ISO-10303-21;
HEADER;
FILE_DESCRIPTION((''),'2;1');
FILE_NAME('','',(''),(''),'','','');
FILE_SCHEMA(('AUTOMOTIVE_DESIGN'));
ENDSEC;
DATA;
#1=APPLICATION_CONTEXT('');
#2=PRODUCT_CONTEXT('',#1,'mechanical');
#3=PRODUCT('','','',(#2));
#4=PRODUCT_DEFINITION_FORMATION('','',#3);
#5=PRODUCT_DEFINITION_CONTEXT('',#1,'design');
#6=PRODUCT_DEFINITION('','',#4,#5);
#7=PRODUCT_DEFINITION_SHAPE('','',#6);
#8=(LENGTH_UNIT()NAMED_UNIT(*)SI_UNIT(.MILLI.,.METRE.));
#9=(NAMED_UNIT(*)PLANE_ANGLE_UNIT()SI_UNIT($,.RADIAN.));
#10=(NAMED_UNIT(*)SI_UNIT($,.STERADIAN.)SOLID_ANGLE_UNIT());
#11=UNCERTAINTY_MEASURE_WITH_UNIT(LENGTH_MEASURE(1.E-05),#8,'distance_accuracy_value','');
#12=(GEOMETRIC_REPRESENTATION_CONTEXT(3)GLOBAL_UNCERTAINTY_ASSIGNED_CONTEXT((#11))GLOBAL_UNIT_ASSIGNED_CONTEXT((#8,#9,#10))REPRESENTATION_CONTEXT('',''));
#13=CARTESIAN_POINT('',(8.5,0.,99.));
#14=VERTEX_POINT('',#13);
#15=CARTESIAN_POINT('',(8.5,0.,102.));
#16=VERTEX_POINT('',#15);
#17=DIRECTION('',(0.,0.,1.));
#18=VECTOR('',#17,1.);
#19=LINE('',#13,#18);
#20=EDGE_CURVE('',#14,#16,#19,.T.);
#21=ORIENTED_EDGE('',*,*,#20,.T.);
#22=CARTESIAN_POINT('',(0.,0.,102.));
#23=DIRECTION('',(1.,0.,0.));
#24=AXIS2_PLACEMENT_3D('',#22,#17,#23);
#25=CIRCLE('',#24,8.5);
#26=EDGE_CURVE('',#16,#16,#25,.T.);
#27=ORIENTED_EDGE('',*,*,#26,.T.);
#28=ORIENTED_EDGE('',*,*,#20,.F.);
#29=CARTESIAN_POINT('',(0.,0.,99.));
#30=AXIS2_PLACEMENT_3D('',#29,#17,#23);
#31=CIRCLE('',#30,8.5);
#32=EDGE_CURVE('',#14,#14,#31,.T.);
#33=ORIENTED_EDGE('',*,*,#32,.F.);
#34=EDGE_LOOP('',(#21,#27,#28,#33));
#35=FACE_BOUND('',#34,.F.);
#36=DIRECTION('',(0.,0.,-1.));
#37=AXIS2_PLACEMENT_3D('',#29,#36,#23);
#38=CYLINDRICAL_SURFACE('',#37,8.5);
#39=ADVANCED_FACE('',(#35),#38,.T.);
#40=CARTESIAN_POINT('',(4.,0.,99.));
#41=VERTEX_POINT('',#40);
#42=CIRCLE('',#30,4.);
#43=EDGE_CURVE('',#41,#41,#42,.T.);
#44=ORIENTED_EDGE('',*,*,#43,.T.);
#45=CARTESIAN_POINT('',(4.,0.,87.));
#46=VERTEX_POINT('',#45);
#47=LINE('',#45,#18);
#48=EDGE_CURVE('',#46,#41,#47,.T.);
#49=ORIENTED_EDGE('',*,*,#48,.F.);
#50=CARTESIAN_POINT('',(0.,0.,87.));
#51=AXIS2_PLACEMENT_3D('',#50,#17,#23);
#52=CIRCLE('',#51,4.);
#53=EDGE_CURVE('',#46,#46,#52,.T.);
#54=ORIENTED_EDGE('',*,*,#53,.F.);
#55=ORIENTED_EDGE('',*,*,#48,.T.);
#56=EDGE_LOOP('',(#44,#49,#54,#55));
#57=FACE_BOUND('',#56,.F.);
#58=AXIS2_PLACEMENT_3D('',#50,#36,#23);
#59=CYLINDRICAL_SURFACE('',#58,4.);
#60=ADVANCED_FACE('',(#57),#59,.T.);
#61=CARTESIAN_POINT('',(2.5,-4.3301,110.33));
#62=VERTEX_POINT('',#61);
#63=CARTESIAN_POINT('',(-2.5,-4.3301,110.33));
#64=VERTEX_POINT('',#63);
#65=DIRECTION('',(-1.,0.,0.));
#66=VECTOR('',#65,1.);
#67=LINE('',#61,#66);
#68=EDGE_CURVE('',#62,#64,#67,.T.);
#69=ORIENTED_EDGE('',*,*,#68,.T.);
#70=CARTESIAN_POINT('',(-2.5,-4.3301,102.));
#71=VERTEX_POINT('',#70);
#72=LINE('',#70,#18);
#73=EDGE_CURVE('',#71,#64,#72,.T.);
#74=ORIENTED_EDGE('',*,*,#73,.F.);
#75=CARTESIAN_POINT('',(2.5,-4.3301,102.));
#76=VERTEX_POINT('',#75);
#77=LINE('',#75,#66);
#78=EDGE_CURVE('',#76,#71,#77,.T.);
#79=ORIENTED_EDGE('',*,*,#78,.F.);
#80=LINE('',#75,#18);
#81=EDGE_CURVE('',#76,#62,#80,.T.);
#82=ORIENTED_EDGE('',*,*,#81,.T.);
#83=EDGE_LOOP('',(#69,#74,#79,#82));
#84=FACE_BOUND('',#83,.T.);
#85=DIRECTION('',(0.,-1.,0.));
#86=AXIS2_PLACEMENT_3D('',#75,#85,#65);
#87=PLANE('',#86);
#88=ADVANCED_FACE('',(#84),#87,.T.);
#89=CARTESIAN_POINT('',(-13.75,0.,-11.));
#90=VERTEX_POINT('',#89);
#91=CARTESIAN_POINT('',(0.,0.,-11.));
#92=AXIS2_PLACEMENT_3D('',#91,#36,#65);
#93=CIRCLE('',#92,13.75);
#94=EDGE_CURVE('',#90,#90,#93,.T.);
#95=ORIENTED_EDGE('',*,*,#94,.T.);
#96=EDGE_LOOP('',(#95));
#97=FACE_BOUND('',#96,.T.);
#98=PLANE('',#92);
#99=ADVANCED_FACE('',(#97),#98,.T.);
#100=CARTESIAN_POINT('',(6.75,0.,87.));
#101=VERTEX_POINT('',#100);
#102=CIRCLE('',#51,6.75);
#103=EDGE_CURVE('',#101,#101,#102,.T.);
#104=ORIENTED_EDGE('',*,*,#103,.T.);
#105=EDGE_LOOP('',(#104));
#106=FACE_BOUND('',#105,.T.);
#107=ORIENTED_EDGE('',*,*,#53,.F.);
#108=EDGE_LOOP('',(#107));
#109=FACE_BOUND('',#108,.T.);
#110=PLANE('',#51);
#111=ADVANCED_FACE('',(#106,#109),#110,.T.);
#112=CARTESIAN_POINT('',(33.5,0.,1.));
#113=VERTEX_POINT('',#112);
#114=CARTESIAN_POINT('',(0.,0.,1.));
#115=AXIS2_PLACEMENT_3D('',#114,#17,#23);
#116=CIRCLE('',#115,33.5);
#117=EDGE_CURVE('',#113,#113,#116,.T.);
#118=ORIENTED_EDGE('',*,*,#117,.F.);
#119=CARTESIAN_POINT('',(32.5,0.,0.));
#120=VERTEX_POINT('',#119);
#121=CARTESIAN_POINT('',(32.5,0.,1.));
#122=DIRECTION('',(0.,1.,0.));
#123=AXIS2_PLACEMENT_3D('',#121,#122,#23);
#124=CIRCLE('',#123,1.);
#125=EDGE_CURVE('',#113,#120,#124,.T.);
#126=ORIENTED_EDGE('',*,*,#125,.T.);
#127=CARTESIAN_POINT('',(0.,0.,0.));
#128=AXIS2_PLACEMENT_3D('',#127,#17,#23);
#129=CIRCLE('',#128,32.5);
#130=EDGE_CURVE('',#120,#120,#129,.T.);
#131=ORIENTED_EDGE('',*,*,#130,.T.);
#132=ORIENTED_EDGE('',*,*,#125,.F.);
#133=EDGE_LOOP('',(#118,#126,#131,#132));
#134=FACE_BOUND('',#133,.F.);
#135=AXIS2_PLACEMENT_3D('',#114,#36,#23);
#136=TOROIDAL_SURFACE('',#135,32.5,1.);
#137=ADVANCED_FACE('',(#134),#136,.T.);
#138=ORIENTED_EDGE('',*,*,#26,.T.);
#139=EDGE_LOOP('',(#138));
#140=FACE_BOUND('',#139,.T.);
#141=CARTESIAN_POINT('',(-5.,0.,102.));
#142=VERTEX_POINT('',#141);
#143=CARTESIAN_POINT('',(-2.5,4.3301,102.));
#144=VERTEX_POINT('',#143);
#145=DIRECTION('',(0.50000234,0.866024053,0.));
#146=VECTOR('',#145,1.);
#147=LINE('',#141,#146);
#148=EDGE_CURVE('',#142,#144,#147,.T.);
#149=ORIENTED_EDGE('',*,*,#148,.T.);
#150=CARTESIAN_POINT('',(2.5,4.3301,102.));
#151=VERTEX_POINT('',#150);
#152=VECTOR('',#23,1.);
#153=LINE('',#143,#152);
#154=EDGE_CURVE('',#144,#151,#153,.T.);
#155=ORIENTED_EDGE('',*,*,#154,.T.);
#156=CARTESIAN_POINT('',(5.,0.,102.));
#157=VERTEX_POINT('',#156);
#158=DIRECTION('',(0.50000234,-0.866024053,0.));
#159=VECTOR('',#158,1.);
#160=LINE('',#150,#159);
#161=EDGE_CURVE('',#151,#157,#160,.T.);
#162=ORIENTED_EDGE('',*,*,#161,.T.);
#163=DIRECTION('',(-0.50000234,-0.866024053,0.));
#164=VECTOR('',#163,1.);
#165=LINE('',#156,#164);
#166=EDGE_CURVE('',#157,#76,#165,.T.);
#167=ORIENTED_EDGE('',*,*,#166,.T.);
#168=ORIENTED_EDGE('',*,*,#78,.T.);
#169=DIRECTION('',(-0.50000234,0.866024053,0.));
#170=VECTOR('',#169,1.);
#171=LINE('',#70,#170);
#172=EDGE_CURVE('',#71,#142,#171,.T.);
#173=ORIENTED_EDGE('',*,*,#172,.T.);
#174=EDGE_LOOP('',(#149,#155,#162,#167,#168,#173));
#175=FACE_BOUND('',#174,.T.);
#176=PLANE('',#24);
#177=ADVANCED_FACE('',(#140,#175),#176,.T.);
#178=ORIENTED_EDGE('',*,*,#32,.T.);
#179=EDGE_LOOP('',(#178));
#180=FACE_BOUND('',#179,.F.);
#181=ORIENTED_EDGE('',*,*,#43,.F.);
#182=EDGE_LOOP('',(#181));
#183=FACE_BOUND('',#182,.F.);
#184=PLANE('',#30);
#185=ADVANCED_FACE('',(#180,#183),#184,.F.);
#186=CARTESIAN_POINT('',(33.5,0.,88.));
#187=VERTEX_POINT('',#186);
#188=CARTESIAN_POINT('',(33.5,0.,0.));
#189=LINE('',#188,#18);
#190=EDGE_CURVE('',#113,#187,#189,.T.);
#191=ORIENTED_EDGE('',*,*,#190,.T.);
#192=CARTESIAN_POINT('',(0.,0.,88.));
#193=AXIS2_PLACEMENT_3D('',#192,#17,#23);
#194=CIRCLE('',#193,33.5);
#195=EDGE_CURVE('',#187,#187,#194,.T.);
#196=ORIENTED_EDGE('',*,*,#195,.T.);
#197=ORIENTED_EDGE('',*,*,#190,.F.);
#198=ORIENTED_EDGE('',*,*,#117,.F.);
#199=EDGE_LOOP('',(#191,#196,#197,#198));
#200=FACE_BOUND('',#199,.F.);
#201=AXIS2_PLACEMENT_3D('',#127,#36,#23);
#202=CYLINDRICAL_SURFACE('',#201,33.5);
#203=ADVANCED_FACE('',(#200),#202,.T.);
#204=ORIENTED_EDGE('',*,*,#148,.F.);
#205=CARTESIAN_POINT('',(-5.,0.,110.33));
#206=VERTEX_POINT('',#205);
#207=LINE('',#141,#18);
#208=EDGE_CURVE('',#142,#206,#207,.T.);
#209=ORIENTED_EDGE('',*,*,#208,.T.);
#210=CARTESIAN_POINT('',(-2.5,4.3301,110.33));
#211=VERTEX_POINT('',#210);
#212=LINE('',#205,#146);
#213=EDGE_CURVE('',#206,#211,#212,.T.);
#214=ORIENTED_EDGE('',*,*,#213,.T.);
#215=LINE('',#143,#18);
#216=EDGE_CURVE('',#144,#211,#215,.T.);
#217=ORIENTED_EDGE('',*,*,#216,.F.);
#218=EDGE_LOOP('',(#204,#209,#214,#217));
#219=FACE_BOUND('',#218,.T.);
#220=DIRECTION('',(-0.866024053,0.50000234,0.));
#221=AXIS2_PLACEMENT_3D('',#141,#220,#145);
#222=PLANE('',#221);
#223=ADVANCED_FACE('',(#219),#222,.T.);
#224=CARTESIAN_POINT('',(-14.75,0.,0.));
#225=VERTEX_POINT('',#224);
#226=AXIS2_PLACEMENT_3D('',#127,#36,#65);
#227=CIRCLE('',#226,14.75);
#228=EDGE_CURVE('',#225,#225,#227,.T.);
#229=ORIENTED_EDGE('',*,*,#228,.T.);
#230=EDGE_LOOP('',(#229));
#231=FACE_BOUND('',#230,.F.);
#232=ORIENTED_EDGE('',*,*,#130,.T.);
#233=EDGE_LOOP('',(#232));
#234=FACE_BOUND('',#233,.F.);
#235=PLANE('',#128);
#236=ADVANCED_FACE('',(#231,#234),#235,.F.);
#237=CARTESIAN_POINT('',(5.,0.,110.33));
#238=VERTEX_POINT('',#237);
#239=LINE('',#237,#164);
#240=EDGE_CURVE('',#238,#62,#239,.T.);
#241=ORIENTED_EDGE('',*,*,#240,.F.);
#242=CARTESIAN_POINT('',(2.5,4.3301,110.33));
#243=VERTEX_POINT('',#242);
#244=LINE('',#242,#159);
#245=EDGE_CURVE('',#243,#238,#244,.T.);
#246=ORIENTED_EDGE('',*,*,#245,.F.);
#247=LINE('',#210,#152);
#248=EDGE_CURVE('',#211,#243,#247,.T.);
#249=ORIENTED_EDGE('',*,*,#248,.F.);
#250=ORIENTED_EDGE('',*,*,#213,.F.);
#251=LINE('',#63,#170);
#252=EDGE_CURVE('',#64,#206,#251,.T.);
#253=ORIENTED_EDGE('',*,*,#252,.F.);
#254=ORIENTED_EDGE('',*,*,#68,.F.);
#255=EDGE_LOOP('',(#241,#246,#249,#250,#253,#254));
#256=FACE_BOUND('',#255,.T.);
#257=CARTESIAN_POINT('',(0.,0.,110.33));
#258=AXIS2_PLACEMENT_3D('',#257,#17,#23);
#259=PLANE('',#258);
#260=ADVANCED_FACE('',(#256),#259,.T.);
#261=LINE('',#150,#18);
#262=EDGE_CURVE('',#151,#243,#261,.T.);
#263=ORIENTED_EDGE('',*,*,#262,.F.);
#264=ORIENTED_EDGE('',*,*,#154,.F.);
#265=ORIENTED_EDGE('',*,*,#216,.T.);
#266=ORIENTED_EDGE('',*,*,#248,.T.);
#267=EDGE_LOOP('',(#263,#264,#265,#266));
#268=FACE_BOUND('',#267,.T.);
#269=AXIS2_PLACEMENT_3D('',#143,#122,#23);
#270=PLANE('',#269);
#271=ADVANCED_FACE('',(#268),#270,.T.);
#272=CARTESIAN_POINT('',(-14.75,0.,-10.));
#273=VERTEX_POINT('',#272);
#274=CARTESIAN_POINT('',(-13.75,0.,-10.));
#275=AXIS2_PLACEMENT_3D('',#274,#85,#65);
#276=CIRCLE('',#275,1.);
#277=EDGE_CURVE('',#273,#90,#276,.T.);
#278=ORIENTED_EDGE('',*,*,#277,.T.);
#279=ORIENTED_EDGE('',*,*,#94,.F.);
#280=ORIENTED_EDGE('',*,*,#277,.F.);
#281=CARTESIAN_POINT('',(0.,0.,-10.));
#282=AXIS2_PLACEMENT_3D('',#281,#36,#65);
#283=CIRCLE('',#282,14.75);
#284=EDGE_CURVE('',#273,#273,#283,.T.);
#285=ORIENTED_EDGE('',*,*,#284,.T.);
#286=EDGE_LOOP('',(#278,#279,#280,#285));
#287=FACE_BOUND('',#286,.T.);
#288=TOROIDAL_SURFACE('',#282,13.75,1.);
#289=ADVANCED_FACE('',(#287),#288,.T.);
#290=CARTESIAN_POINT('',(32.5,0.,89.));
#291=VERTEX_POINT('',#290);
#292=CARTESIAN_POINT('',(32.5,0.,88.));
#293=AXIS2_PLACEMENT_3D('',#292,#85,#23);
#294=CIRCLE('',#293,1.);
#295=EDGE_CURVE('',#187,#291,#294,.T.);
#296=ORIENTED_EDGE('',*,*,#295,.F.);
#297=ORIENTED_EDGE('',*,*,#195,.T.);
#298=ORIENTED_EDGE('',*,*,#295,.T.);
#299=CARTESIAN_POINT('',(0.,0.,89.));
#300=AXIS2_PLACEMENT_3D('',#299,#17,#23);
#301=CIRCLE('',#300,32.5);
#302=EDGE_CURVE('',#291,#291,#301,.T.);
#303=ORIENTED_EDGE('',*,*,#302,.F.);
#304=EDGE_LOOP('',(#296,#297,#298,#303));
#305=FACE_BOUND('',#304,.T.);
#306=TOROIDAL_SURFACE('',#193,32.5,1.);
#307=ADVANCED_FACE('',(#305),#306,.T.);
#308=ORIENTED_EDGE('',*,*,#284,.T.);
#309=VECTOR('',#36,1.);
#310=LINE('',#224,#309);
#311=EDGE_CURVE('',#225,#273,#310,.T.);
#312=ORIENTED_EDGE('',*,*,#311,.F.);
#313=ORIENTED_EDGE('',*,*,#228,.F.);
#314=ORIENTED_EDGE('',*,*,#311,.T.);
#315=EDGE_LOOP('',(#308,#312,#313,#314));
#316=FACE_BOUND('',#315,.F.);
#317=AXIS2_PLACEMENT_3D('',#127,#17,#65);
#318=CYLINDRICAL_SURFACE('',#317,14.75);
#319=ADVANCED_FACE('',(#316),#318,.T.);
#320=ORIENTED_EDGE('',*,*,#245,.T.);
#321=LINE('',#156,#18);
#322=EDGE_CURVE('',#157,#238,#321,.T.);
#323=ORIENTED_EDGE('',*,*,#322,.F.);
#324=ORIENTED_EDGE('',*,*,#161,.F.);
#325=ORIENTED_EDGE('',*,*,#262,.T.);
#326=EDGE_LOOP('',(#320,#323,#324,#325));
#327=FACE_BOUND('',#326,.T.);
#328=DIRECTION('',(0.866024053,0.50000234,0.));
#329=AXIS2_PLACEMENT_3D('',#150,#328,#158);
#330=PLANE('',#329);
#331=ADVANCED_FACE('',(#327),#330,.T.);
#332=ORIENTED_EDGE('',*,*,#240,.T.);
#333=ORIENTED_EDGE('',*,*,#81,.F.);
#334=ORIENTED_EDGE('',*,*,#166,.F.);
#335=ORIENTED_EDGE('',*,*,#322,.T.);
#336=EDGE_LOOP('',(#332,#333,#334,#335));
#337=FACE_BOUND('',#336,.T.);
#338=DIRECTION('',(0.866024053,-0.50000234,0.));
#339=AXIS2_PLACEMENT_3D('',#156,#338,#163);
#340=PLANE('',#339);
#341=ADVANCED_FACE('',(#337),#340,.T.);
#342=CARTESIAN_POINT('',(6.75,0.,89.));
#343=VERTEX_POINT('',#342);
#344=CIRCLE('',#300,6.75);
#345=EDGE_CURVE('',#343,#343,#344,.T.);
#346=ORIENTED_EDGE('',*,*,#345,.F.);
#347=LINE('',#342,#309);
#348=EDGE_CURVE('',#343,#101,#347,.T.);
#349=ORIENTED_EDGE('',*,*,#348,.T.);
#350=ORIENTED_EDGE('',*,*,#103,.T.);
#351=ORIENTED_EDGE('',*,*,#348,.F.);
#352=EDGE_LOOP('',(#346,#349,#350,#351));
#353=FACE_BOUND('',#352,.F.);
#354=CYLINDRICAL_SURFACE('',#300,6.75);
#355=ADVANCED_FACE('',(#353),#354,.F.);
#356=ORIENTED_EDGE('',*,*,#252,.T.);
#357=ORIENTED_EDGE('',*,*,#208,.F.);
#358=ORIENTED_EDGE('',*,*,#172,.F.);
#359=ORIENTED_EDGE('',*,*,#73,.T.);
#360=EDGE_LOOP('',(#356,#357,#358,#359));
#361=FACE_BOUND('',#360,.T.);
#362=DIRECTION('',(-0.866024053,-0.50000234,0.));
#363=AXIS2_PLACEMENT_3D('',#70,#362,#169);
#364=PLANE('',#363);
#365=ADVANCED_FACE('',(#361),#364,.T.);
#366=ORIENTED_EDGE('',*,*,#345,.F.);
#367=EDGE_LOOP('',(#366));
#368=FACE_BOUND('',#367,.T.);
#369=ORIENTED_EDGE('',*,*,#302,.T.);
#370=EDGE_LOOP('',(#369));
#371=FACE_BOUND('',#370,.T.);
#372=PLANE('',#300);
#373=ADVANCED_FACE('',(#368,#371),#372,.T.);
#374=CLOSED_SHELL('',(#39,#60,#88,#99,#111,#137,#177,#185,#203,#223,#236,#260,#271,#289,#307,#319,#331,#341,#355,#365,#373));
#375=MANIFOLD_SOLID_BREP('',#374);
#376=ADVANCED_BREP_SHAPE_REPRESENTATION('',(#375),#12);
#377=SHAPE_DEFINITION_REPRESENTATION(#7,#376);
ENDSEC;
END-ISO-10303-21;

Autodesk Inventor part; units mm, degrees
ref_plane "YZ Plane" through (0, 0, 0) normal (1, 0, 0) x (0, 1, 0)
ref_plane "XZ Plane" through (0, 0, 0) normal (0, 1, 0) x (-1, 0, 0)
sketch "Sketch1" plane through (0, 0, 0) normal (0, 0, 1) x (1, 0, 0)
  circle A0 centre (0, 0) radius 33.5
  dimension "d0" = 67
extrude "Extrusion1" add sketch "Sketch1" along normal blind 89
sketch "Sketch2" plane through (0, 0, 0) normal (0, 0, -1) x (-1, 0, 0)
  circle A0 centre (0, 0) radius 14.75
  dimension "d3" = 29.5
extrude "Extrusion2" add sketch "Sketch2" along normal blind 11
fillet "Fillet1" radius 1 3 edges at (14.75, 0, -11) (-33.5, 0, 0) (-33.5, 0, 89)
sketch "Sketch3" plane through (0, 0, 89) normal (0, 0, 1) x (1, 0, 0)
  circle A0 centre (0, 0) radius 33.5 projected
  circle A1 centre (0, 0) radius 6.75
  dimension "d7" = 13.5
extrude "Extrusion3" cut sketch "Sketch3" against normal blind 2 contours A1
sketch "Sketch4" plane through (0, 0, 87) normal (0, 0, 1) x (1, 0, 0)
  circle A0 centre (0, 0) radius 4
  dimension "d10" = 8
ref_plane "Work Plane1" through (0, 0, 99) normal (0, 0, 1) x (1, 0, 0)
extrude "Extrusion4" add sketch "Sketch4" along normal up to surface (12 mm away)
sketch "Sketch5" plane through (0, 0, 99) normal (0, 0, 1) x (1, 0, 0)
  circle A0 centre (0, 0) radius 32.5 construction
  circle A1 centre (0, 0) radius 8.5
  dimension "d14" = 17
extrude "Extrusion5" add sketch "Sketch5" along normal blind 3
sketch "Sketch6" plane through (0, 0, 102) normal (0, 0, 1) x (1, 0, 0)
  circle A0 centre (0, 0) radius 8.5 projected
  line L0 (-2.5, 4.3301) -> (2.5, 4.3301)
  line L1 (2.5, 4.3301) -> (5, 0)
  line L2 (5, 0) -> (2.5, -4.3301)
  line L3 (2.5, -4.3301) -> (-2.5, -4.3301)
  line L4 (-2.5, -4.3301) -> (-5, 0)
  line L5 (-5, 0) -> (-2.5, 4.3301)
  line L6 (-46.9, 0) -> (46.9, 0) construction
  dimension "d17" = 10
extrude "Extrusion6" add sketch "Sketch6" along normal blind 8.33 contours L0 L1 L2 L3 L4 L5
properties part number "MY6812-12VDC-120W"
